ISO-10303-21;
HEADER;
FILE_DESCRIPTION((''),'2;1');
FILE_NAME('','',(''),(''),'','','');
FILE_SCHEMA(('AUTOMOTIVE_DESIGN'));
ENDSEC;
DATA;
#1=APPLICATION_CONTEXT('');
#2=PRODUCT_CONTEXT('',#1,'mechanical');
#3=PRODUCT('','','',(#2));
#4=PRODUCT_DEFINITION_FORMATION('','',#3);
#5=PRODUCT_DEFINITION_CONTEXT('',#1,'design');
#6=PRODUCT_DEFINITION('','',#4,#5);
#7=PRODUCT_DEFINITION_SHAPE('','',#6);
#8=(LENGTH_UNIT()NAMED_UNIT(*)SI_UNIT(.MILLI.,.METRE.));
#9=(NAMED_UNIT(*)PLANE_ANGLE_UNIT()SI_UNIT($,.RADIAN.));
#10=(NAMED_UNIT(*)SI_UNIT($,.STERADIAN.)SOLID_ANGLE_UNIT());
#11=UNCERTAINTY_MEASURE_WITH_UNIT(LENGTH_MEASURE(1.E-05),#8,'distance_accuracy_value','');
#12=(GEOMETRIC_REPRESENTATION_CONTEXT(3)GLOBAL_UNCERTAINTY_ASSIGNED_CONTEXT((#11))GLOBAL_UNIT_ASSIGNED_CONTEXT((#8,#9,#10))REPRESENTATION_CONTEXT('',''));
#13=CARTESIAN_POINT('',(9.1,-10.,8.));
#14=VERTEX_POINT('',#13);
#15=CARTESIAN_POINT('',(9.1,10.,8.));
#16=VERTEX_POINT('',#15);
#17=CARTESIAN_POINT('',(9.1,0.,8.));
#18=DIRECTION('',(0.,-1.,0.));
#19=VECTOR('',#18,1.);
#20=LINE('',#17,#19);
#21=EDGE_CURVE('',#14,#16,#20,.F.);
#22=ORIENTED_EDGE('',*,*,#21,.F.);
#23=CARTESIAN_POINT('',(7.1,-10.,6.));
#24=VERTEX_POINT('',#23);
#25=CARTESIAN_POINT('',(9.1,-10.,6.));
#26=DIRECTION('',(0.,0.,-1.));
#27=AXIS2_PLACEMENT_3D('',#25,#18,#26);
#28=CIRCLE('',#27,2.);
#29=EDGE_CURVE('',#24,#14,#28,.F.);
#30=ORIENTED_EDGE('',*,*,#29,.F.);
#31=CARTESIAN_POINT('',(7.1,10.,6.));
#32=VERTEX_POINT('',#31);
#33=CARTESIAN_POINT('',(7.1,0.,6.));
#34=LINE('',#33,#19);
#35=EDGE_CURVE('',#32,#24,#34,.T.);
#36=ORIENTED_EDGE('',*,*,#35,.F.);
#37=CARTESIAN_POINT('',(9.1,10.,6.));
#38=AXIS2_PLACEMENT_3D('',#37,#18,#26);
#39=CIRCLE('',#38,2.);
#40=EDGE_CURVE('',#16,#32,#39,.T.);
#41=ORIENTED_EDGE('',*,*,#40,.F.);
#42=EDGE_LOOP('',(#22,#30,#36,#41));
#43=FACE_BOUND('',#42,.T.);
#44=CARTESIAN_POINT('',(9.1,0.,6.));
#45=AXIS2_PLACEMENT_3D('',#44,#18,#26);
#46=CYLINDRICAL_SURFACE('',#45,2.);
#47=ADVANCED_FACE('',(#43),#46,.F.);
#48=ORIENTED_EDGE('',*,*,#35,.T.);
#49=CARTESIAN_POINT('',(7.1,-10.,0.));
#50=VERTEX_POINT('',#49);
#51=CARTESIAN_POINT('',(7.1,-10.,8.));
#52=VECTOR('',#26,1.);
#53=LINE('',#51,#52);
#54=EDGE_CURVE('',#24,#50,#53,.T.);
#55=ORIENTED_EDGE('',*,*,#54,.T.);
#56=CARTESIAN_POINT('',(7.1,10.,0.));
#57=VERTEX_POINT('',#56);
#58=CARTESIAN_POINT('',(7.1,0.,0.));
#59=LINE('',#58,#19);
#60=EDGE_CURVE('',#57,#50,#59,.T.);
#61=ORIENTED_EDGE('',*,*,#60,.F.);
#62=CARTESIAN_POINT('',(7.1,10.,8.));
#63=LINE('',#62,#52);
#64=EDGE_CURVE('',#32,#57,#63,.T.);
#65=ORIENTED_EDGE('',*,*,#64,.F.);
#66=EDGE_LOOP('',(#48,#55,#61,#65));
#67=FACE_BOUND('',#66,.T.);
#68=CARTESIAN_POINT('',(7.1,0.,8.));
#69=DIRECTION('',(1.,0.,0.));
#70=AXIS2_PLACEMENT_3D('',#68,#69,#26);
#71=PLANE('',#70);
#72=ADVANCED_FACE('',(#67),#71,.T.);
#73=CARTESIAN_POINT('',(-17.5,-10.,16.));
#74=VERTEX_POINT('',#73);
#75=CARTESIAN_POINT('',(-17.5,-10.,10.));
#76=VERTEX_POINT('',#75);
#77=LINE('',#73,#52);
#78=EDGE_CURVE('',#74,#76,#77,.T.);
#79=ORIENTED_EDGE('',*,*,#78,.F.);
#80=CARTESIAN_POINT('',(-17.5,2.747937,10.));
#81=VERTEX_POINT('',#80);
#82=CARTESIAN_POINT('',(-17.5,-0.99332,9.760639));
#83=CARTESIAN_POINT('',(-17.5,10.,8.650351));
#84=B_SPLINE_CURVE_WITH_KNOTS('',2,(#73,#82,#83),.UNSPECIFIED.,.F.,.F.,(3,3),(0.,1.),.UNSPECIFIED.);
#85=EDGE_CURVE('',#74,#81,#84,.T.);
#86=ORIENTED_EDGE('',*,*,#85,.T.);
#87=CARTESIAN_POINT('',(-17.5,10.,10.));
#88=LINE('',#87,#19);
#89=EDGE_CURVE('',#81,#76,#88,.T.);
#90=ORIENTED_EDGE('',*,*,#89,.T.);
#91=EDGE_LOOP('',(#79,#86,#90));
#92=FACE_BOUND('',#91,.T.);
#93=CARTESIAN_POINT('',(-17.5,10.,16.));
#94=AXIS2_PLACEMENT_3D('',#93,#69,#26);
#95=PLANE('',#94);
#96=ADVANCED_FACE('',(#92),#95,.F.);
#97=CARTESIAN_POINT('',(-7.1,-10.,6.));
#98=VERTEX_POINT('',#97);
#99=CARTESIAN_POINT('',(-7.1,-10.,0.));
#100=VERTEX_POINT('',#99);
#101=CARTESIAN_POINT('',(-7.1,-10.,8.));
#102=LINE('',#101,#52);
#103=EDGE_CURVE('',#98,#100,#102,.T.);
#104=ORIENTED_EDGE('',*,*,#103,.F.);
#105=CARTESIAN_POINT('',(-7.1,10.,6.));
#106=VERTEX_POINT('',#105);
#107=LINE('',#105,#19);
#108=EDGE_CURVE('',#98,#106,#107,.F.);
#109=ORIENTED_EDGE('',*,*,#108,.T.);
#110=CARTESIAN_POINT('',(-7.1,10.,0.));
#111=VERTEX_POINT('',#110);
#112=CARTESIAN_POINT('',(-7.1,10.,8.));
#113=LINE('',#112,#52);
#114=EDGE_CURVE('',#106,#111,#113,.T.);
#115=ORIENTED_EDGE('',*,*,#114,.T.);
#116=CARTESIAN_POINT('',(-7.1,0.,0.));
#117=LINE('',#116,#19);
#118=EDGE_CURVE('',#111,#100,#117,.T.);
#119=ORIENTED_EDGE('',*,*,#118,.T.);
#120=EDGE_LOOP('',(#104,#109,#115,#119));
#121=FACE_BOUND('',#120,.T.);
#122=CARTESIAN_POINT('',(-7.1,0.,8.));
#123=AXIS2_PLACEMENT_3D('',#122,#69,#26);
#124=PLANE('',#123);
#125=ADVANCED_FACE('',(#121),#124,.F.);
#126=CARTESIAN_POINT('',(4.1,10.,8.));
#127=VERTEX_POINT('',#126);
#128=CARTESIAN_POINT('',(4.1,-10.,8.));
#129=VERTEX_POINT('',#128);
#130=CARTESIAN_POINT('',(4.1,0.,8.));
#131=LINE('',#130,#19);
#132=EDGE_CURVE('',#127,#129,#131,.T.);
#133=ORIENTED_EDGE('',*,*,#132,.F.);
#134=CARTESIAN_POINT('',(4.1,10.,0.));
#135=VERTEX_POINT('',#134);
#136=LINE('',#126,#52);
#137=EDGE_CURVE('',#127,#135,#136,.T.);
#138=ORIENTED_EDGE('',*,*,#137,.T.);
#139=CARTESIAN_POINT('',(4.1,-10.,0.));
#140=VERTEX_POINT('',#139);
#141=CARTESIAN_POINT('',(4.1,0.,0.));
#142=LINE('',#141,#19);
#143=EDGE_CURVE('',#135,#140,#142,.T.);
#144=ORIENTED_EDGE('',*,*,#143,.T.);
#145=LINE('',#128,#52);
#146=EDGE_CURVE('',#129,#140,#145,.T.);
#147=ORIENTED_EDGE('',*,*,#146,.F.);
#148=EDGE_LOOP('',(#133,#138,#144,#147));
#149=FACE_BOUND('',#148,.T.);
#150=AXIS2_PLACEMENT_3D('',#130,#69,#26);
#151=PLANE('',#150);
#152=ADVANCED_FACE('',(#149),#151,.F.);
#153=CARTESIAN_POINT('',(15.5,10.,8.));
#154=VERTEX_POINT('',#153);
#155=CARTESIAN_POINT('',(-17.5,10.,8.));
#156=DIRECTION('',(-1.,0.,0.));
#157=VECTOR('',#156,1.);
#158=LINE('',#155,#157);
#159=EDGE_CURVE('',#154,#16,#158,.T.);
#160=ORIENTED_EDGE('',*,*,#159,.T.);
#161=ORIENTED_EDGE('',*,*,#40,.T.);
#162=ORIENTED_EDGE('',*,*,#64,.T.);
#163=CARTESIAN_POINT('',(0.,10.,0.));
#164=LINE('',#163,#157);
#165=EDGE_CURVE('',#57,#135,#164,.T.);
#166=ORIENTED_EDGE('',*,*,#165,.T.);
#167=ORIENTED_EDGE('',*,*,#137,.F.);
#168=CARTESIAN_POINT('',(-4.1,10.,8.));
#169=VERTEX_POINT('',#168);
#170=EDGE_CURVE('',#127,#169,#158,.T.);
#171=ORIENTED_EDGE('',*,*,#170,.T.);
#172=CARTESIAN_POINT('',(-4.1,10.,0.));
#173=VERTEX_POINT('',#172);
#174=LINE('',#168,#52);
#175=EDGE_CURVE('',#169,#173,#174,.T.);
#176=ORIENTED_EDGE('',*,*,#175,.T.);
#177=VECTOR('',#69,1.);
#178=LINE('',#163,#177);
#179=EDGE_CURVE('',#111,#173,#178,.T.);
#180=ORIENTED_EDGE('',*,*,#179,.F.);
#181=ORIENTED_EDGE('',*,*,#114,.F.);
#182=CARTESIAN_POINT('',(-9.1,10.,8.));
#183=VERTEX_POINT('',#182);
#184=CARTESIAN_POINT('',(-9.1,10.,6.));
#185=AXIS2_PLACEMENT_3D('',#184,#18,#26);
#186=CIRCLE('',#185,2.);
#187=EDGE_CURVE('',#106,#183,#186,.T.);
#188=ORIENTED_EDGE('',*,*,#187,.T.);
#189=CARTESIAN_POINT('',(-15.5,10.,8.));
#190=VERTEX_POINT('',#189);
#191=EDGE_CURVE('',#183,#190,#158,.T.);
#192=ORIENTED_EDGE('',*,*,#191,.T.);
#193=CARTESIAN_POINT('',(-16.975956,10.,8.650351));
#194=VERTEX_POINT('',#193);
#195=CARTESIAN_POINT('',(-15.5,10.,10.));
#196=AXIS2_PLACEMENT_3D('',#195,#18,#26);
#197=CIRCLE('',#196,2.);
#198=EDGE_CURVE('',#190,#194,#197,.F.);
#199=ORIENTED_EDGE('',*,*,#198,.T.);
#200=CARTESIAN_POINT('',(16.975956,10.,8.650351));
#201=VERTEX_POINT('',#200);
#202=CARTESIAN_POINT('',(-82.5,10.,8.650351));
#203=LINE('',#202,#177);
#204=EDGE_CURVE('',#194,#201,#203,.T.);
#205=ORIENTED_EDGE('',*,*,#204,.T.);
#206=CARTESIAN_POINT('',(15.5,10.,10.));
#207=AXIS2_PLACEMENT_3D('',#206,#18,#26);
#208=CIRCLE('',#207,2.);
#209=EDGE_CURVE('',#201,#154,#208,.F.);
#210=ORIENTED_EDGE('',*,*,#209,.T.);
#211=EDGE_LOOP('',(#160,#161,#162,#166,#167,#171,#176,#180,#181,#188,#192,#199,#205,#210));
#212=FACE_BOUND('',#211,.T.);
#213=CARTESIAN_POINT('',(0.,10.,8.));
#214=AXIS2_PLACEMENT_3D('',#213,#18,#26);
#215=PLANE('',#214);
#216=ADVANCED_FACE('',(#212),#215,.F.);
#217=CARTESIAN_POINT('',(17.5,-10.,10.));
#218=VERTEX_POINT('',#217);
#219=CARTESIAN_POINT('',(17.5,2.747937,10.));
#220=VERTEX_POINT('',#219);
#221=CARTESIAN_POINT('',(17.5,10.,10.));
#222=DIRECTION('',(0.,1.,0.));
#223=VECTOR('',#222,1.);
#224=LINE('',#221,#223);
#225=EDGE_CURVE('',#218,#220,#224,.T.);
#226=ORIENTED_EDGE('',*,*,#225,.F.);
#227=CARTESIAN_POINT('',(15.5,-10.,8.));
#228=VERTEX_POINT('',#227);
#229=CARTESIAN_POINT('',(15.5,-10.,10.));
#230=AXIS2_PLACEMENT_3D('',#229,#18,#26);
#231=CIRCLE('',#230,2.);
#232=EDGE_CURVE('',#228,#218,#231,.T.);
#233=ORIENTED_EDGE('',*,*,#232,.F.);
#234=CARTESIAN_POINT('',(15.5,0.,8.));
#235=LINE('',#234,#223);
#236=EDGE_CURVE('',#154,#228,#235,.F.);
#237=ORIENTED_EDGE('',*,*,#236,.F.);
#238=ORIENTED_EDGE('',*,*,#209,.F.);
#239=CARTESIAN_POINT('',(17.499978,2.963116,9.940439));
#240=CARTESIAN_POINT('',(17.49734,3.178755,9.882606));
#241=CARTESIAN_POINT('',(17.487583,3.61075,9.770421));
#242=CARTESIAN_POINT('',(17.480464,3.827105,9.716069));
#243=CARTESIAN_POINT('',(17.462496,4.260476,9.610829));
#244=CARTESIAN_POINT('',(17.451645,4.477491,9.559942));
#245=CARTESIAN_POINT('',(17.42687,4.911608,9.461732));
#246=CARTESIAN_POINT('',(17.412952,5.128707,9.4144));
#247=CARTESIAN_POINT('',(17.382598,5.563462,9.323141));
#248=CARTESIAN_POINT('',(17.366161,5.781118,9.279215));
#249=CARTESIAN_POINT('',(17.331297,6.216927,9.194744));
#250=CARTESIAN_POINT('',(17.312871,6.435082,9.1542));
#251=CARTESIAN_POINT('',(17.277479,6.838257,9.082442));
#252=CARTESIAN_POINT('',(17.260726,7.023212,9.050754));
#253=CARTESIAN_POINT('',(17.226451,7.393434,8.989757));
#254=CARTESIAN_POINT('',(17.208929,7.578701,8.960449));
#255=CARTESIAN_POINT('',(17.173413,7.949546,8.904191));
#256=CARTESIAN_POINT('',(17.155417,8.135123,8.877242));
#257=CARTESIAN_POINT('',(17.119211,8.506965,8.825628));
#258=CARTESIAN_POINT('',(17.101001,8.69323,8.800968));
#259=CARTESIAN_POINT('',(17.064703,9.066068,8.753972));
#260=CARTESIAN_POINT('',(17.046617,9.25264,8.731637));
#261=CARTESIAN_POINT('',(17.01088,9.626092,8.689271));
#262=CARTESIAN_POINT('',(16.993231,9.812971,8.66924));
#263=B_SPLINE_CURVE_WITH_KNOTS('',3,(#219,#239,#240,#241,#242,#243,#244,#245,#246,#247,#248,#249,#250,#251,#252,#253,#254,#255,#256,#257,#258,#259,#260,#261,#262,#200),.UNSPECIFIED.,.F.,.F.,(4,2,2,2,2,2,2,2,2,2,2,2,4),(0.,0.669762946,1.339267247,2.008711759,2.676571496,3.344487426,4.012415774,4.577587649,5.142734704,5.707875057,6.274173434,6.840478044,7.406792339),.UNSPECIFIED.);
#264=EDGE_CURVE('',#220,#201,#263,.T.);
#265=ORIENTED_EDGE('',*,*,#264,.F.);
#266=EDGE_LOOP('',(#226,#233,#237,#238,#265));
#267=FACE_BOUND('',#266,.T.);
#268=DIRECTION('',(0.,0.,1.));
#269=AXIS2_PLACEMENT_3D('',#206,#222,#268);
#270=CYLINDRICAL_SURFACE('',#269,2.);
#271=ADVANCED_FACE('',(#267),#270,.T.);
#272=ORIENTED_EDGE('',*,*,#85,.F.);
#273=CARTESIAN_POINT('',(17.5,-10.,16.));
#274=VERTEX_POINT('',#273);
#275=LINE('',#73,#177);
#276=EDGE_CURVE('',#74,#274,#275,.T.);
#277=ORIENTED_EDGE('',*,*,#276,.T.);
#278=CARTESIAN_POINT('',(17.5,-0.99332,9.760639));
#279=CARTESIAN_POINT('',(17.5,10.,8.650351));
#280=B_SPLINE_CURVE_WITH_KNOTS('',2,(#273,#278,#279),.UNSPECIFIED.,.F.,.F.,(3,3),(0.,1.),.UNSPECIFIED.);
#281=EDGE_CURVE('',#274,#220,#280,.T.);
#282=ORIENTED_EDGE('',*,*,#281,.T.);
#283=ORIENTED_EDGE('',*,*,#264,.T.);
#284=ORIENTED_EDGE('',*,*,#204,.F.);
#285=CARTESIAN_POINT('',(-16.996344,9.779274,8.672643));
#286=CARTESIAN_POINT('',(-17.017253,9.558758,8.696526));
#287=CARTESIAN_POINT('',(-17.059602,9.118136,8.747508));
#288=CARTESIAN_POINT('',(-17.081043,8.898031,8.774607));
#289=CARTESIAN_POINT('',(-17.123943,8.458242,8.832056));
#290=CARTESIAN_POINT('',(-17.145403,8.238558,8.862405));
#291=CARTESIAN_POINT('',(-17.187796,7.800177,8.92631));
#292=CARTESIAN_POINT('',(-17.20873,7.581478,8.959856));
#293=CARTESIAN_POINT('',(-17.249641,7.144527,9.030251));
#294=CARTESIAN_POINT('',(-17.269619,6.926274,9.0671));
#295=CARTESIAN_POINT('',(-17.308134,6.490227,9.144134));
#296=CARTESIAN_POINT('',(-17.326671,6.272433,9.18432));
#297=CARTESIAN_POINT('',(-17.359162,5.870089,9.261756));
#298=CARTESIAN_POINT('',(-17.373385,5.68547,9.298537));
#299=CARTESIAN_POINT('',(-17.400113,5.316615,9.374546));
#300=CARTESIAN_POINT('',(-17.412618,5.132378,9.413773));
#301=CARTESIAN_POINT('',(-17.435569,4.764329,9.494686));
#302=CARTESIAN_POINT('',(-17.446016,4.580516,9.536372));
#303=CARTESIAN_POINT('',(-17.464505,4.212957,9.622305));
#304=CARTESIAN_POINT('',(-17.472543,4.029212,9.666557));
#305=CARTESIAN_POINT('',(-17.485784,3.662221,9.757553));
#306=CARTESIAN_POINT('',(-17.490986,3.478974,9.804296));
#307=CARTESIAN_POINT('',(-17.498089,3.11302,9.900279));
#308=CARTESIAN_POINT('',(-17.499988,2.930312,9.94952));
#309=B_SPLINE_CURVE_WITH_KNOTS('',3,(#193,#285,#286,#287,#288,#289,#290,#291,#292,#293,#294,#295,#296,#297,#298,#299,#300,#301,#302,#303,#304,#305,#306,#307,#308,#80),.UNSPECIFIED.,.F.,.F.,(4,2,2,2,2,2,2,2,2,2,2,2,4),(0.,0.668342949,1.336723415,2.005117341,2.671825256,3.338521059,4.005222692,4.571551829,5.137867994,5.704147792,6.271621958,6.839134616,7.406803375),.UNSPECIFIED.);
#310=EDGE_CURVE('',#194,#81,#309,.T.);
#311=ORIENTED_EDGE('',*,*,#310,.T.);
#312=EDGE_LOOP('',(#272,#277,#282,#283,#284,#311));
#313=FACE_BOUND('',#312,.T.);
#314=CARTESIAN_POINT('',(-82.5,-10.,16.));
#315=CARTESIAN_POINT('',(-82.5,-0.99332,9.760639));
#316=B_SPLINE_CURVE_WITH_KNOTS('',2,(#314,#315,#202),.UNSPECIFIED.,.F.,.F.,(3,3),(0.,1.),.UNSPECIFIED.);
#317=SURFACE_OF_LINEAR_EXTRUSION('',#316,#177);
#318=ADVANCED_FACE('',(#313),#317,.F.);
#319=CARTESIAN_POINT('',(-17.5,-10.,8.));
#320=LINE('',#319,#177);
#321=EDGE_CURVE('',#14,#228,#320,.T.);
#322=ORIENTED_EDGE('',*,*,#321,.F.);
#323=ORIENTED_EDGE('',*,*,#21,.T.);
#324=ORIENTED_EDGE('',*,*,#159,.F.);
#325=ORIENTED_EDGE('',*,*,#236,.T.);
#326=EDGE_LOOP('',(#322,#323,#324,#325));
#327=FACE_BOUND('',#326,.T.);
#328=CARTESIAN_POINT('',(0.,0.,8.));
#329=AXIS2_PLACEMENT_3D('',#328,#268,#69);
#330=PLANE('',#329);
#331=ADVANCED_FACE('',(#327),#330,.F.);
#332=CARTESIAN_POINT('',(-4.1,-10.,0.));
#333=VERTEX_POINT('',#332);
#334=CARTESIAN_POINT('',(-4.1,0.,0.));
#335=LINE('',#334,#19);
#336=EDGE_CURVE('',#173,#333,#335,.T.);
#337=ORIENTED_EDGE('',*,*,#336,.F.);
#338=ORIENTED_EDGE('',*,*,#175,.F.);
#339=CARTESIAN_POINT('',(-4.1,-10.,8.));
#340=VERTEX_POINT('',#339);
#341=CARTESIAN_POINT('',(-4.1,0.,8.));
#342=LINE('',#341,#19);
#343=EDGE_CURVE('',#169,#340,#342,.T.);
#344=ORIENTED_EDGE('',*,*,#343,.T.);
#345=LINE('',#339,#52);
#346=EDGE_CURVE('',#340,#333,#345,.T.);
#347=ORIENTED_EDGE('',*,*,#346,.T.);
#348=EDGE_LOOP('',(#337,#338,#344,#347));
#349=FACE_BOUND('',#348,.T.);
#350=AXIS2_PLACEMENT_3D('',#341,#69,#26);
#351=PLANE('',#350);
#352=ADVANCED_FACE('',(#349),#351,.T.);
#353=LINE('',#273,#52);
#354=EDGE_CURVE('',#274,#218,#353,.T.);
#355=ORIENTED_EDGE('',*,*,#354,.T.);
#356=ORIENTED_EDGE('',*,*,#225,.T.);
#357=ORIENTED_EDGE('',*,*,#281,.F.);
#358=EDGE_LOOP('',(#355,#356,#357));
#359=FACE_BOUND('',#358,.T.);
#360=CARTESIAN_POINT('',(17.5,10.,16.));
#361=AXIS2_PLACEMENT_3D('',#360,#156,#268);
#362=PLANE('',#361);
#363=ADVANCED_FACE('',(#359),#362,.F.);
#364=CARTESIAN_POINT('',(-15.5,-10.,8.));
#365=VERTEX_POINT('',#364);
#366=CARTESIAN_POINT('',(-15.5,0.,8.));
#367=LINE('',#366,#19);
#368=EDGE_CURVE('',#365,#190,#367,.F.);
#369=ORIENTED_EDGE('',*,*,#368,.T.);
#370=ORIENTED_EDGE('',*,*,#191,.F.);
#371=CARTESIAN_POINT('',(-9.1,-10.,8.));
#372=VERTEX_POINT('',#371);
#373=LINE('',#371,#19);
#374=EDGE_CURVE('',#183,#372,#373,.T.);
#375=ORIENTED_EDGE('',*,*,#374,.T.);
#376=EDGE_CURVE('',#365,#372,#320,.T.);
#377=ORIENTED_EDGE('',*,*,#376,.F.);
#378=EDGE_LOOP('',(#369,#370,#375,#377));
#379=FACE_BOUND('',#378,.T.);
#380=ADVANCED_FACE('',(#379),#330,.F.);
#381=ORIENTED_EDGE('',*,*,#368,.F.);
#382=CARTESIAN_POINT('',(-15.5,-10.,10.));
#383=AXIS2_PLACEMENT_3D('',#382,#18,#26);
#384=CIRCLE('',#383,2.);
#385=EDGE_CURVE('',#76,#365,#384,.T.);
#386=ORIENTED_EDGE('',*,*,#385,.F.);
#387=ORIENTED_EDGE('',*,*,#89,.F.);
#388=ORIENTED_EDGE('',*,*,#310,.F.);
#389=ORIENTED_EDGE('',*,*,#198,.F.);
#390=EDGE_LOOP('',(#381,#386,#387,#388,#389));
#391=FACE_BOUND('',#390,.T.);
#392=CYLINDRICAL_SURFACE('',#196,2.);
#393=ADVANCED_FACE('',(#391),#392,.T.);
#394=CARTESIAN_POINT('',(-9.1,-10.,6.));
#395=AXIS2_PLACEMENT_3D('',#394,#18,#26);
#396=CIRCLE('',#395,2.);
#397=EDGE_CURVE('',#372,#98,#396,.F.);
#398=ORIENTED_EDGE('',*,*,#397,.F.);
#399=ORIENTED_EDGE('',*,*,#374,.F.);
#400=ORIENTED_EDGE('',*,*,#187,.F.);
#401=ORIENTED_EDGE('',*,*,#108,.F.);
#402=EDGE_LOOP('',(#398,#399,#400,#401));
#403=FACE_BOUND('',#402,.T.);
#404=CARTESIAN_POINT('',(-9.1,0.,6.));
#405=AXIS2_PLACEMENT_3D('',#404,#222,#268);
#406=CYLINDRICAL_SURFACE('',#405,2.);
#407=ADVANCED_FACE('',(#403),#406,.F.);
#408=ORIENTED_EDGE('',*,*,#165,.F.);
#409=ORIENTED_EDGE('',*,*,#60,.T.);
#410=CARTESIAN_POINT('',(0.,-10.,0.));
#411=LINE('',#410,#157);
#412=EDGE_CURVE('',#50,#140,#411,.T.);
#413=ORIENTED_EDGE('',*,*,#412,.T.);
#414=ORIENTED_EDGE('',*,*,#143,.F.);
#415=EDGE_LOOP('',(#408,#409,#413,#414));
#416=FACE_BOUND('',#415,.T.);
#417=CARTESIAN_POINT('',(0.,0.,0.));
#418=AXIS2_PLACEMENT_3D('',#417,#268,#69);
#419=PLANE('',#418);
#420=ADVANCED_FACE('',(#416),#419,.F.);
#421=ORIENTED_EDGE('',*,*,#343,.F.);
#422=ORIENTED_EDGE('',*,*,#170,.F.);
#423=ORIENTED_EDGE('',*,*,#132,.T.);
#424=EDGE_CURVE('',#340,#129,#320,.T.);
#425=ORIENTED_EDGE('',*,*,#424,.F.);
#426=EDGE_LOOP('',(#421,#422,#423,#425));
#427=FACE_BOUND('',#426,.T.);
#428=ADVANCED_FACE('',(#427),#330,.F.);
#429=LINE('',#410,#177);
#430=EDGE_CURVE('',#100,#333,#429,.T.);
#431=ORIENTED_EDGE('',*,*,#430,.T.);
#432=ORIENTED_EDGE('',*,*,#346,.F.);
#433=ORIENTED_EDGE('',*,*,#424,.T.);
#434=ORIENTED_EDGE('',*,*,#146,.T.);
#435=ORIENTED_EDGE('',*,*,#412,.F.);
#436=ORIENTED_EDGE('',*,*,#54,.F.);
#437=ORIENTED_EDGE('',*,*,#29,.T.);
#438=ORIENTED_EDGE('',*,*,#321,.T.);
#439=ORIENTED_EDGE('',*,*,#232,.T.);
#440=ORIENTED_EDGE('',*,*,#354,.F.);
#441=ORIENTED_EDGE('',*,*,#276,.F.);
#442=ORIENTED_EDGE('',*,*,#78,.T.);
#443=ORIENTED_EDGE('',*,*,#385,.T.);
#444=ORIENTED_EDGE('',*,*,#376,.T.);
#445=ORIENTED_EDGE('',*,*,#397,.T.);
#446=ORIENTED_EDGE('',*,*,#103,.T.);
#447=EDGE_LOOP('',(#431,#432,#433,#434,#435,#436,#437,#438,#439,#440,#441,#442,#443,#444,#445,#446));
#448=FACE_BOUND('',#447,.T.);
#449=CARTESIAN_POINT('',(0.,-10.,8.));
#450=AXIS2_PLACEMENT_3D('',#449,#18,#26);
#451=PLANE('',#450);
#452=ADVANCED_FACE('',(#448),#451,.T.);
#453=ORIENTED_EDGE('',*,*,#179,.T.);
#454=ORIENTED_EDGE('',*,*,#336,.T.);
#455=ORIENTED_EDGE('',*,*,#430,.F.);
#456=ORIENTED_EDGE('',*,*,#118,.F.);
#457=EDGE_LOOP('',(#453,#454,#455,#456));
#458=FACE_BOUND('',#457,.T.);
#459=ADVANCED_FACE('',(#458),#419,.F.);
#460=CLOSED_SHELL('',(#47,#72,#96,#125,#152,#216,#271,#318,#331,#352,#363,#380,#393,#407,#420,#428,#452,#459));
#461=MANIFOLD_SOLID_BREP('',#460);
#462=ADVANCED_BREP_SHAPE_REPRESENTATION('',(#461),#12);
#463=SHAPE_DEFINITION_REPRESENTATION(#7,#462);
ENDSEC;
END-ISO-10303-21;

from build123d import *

# Parameters (mm, degrees)
SKETCH2_W             = 3
SKETCH2_H             = 20
BOSS_EXTRUDE1_DEPTH   = 8
BOSS_EXTRUDE1_2_DEPTH = 8
SKETCH3_W             = 35
SKETCH3_H             = 20
BOSS_EXTRUDE2_DEPTH   = 8
CUT_EXTRUDE1_DEPTH    = 100
FILLET1_R             = 2


with BuildPart() as part:
    # Sketch2 → Boss-Extrude1 (new body)
    with BuildSketch(Plane.XY):
        with Locations((-5.6, 0)):
            Rectangle(SKETCH2_W, SKETCH2_H)
    extrude(amount=BOSS_EXTRUDE1_DEPTH)



with BuildPart() as body_2:
    # Sketch2 → Boss-Extrude1 2 (new body)
    with BuildSketch(Plane.XY):
        with Locations((5.6, 0)):
            Rectangle(SKETCH2_W, SKETCH2_H)
    extrude(amount=BOSS_EXTRUDE1_2_DEPTH)


with BuildPart() as part_1:
    add(part.part)

    add(body_2.part)  # Boss-Extrude2 merges body 2
    # Sketch3 → Boss-Extrude2 (add)
    with BuildSketch(Plane.XY.offset(8)):
        Rectangle(SKETCH3_W, SKETCH3_H)
    extrude(amount=BOSS_EXTRUDE2_DEPTH)

    # Sketch4 → Cut-Extrude1 (cut)
    with BuildSketch(Plane(origin=(17.5, 0, 0), x_dir=(0, 0, -1), z_dir=(1, 0, 0))):
        with BuildLine():
            Line((-8.650350687, 10), (-18.749318475, 11.146699317))
            Line((-18.749318475, 11.146699317), (-17.556068679, -8.149022999))
            Line((-17.556068679, -8.149022999), (-16, -10))
            add(Edge.make_bspline(
                [(-8.650350687, 10), (-9.760639053, -0.993319635), (-16, -10)],
                knots=[0, 0, 0, 1, 1, 1], degree=2))
        make_face()
    extrude(amount=-CUT_EXTRUDE1_DEPTH, mode=Mode.SUBTRACT)

    # Fillet1
    fillet1_edges = [part_1.edges().sort_by_distance(p)[0] for p in [
        (17.5, 0, 8),
        (-17.5, 0, 8),
        (-7.1, 0, 8),
        (7.1, 0, 8),
    ]]
    fillet(fillet1_edges, radius=FILLET1_R)


solid = part_1.part
